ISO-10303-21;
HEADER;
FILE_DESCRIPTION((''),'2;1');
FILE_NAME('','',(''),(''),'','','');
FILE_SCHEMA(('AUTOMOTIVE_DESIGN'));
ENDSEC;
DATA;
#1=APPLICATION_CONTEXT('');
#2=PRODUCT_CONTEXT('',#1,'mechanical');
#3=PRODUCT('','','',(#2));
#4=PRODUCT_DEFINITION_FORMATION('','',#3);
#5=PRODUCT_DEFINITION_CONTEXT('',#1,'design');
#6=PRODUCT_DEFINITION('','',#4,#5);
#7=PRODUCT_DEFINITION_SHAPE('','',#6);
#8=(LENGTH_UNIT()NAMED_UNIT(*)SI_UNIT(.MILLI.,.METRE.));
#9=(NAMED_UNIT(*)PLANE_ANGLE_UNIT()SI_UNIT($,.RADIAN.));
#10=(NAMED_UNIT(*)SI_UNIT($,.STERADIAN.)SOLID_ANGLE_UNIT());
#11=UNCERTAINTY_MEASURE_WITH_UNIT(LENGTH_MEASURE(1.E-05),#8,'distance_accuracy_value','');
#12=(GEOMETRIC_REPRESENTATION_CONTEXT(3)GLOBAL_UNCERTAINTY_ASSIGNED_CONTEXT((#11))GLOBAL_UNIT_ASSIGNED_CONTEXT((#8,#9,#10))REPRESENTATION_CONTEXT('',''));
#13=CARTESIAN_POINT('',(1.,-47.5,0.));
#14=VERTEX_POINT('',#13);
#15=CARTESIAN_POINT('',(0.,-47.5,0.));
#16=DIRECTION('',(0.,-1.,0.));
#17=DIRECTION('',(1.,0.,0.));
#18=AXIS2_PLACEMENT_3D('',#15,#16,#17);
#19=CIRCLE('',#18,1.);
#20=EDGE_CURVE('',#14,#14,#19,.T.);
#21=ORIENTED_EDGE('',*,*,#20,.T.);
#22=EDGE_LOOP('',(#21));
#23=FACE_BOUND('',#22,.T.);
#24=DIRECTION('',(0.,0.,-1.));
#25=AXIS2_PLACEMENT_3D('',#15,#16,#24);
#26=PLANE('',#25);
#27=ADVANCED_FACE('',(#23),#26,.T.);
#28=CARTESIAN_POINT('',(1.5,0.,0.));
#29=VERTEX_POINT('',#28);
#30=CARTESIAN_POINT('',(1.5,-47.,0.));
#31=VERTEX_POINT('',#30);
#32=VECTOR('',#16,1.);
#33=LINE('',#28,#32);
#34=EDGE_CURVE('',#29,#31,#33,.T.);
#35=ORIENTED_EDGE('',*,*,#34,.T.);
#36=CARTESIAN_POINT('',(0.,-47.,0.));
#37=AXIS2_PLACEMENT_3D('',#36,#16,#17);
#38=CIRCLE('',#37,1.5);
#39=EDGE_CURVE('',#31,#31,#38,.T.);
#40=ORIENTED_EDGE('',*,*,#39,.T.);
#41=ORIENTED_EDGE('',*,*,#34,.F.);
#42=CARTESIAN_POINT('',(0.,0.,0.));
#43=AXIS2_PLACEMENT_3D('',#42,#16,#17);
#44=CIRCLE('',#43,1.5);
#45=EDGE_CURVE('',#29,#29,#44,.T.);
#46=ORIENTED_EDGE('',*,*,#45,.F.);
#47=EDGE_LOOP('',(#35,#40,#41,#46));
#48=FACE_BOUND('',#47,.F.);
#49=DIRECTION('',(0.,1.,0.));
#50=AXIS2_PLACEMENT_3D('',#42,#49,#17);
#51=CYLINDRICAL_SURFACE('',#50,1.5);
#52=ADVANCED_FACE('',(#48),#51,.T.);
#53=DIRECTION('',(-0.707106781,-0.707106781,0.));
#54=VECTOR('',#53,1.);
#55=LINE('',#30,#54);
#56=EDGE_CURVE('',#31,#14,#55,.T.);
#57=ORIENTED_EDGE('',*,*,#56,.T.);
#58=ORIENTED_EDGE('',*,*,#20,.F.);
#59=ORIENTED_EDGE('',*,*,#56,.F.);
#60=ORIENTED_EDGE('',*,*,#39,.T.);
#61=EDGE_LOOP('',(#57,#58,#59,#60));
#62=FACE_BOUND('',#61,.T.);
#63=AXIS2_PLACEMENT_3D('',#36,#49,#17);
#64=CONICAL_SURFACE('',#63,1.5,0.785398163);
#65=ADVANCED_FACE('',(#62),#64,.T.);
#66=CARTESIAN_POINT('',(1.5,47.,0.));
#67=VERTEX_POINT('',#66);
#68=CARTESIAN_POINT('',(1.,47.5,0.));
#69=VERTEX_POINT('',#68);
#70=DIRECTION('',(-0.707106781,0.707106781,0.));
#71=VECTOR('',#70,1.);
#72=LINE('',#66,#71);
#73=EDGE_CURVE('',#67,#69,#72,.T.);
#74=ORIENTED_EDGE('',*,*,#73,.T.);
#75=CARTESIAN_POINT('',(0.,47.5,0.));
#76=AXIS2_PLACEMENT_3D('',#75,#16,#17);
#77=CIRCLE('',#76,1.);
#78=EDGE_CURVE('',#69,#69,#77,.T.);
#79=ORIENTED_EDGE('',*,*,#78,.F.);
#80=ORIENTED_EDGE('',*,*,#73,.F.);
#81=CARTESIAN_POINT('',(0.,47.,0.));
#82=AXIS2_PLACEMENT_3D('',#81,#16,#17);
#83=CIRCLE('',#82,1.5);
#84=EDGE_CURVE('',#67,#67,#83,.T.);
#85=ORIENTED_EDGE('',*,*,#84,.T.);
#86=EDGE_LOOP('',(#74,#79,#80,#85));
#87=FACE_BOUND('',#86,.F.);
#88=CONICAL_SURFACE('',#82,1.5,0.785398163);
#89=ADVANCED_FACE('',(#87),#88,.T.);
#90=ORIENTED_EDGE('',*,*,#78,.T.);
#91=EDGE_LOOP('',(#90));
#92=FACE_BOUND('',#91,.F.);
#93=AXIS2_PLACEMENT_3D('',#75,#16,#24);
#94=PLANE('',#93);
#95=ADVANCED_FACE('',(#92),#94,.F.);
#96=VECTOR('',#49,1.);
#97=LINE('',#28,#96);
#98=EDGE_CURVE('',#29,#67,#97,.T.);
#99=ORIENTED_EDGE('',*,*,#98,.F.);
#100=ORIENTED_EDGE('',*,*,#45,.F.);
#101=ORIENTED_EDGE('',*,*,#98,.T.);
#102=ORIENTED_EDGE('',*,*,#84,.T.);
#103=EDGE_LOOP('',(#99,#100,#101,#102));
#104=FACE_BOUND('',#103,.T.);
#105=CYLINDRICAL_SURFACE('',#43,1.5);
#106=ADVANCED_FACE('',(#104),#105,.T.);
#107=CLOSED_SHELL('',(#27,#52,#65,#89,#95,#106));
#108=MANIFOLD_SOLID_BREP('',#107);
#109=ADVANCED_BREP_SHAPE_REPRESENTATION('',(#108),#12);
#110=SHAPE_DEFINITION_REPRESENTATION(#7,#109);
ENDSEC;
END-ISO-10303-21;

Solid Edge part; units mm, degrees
sketch "Sketch1" plane through (0, 0, 0) normal (0, -1, 0) x (1, 0, 0)
  circle A0 centre (0, 0) radius 1.5
  dimension "D1" = 3
extrude "Protrusion1" add sketch "Sketch1" along normal mid plane 95
chamfer "Fase_1" distance 0.5 angle 45 2 edges at (-1.5, -47.5, 0) (-1.5, 47.5, 0)
properties material "Aluminiumlegierung:3.0205, Al 99.0, EN-AW 1200"
